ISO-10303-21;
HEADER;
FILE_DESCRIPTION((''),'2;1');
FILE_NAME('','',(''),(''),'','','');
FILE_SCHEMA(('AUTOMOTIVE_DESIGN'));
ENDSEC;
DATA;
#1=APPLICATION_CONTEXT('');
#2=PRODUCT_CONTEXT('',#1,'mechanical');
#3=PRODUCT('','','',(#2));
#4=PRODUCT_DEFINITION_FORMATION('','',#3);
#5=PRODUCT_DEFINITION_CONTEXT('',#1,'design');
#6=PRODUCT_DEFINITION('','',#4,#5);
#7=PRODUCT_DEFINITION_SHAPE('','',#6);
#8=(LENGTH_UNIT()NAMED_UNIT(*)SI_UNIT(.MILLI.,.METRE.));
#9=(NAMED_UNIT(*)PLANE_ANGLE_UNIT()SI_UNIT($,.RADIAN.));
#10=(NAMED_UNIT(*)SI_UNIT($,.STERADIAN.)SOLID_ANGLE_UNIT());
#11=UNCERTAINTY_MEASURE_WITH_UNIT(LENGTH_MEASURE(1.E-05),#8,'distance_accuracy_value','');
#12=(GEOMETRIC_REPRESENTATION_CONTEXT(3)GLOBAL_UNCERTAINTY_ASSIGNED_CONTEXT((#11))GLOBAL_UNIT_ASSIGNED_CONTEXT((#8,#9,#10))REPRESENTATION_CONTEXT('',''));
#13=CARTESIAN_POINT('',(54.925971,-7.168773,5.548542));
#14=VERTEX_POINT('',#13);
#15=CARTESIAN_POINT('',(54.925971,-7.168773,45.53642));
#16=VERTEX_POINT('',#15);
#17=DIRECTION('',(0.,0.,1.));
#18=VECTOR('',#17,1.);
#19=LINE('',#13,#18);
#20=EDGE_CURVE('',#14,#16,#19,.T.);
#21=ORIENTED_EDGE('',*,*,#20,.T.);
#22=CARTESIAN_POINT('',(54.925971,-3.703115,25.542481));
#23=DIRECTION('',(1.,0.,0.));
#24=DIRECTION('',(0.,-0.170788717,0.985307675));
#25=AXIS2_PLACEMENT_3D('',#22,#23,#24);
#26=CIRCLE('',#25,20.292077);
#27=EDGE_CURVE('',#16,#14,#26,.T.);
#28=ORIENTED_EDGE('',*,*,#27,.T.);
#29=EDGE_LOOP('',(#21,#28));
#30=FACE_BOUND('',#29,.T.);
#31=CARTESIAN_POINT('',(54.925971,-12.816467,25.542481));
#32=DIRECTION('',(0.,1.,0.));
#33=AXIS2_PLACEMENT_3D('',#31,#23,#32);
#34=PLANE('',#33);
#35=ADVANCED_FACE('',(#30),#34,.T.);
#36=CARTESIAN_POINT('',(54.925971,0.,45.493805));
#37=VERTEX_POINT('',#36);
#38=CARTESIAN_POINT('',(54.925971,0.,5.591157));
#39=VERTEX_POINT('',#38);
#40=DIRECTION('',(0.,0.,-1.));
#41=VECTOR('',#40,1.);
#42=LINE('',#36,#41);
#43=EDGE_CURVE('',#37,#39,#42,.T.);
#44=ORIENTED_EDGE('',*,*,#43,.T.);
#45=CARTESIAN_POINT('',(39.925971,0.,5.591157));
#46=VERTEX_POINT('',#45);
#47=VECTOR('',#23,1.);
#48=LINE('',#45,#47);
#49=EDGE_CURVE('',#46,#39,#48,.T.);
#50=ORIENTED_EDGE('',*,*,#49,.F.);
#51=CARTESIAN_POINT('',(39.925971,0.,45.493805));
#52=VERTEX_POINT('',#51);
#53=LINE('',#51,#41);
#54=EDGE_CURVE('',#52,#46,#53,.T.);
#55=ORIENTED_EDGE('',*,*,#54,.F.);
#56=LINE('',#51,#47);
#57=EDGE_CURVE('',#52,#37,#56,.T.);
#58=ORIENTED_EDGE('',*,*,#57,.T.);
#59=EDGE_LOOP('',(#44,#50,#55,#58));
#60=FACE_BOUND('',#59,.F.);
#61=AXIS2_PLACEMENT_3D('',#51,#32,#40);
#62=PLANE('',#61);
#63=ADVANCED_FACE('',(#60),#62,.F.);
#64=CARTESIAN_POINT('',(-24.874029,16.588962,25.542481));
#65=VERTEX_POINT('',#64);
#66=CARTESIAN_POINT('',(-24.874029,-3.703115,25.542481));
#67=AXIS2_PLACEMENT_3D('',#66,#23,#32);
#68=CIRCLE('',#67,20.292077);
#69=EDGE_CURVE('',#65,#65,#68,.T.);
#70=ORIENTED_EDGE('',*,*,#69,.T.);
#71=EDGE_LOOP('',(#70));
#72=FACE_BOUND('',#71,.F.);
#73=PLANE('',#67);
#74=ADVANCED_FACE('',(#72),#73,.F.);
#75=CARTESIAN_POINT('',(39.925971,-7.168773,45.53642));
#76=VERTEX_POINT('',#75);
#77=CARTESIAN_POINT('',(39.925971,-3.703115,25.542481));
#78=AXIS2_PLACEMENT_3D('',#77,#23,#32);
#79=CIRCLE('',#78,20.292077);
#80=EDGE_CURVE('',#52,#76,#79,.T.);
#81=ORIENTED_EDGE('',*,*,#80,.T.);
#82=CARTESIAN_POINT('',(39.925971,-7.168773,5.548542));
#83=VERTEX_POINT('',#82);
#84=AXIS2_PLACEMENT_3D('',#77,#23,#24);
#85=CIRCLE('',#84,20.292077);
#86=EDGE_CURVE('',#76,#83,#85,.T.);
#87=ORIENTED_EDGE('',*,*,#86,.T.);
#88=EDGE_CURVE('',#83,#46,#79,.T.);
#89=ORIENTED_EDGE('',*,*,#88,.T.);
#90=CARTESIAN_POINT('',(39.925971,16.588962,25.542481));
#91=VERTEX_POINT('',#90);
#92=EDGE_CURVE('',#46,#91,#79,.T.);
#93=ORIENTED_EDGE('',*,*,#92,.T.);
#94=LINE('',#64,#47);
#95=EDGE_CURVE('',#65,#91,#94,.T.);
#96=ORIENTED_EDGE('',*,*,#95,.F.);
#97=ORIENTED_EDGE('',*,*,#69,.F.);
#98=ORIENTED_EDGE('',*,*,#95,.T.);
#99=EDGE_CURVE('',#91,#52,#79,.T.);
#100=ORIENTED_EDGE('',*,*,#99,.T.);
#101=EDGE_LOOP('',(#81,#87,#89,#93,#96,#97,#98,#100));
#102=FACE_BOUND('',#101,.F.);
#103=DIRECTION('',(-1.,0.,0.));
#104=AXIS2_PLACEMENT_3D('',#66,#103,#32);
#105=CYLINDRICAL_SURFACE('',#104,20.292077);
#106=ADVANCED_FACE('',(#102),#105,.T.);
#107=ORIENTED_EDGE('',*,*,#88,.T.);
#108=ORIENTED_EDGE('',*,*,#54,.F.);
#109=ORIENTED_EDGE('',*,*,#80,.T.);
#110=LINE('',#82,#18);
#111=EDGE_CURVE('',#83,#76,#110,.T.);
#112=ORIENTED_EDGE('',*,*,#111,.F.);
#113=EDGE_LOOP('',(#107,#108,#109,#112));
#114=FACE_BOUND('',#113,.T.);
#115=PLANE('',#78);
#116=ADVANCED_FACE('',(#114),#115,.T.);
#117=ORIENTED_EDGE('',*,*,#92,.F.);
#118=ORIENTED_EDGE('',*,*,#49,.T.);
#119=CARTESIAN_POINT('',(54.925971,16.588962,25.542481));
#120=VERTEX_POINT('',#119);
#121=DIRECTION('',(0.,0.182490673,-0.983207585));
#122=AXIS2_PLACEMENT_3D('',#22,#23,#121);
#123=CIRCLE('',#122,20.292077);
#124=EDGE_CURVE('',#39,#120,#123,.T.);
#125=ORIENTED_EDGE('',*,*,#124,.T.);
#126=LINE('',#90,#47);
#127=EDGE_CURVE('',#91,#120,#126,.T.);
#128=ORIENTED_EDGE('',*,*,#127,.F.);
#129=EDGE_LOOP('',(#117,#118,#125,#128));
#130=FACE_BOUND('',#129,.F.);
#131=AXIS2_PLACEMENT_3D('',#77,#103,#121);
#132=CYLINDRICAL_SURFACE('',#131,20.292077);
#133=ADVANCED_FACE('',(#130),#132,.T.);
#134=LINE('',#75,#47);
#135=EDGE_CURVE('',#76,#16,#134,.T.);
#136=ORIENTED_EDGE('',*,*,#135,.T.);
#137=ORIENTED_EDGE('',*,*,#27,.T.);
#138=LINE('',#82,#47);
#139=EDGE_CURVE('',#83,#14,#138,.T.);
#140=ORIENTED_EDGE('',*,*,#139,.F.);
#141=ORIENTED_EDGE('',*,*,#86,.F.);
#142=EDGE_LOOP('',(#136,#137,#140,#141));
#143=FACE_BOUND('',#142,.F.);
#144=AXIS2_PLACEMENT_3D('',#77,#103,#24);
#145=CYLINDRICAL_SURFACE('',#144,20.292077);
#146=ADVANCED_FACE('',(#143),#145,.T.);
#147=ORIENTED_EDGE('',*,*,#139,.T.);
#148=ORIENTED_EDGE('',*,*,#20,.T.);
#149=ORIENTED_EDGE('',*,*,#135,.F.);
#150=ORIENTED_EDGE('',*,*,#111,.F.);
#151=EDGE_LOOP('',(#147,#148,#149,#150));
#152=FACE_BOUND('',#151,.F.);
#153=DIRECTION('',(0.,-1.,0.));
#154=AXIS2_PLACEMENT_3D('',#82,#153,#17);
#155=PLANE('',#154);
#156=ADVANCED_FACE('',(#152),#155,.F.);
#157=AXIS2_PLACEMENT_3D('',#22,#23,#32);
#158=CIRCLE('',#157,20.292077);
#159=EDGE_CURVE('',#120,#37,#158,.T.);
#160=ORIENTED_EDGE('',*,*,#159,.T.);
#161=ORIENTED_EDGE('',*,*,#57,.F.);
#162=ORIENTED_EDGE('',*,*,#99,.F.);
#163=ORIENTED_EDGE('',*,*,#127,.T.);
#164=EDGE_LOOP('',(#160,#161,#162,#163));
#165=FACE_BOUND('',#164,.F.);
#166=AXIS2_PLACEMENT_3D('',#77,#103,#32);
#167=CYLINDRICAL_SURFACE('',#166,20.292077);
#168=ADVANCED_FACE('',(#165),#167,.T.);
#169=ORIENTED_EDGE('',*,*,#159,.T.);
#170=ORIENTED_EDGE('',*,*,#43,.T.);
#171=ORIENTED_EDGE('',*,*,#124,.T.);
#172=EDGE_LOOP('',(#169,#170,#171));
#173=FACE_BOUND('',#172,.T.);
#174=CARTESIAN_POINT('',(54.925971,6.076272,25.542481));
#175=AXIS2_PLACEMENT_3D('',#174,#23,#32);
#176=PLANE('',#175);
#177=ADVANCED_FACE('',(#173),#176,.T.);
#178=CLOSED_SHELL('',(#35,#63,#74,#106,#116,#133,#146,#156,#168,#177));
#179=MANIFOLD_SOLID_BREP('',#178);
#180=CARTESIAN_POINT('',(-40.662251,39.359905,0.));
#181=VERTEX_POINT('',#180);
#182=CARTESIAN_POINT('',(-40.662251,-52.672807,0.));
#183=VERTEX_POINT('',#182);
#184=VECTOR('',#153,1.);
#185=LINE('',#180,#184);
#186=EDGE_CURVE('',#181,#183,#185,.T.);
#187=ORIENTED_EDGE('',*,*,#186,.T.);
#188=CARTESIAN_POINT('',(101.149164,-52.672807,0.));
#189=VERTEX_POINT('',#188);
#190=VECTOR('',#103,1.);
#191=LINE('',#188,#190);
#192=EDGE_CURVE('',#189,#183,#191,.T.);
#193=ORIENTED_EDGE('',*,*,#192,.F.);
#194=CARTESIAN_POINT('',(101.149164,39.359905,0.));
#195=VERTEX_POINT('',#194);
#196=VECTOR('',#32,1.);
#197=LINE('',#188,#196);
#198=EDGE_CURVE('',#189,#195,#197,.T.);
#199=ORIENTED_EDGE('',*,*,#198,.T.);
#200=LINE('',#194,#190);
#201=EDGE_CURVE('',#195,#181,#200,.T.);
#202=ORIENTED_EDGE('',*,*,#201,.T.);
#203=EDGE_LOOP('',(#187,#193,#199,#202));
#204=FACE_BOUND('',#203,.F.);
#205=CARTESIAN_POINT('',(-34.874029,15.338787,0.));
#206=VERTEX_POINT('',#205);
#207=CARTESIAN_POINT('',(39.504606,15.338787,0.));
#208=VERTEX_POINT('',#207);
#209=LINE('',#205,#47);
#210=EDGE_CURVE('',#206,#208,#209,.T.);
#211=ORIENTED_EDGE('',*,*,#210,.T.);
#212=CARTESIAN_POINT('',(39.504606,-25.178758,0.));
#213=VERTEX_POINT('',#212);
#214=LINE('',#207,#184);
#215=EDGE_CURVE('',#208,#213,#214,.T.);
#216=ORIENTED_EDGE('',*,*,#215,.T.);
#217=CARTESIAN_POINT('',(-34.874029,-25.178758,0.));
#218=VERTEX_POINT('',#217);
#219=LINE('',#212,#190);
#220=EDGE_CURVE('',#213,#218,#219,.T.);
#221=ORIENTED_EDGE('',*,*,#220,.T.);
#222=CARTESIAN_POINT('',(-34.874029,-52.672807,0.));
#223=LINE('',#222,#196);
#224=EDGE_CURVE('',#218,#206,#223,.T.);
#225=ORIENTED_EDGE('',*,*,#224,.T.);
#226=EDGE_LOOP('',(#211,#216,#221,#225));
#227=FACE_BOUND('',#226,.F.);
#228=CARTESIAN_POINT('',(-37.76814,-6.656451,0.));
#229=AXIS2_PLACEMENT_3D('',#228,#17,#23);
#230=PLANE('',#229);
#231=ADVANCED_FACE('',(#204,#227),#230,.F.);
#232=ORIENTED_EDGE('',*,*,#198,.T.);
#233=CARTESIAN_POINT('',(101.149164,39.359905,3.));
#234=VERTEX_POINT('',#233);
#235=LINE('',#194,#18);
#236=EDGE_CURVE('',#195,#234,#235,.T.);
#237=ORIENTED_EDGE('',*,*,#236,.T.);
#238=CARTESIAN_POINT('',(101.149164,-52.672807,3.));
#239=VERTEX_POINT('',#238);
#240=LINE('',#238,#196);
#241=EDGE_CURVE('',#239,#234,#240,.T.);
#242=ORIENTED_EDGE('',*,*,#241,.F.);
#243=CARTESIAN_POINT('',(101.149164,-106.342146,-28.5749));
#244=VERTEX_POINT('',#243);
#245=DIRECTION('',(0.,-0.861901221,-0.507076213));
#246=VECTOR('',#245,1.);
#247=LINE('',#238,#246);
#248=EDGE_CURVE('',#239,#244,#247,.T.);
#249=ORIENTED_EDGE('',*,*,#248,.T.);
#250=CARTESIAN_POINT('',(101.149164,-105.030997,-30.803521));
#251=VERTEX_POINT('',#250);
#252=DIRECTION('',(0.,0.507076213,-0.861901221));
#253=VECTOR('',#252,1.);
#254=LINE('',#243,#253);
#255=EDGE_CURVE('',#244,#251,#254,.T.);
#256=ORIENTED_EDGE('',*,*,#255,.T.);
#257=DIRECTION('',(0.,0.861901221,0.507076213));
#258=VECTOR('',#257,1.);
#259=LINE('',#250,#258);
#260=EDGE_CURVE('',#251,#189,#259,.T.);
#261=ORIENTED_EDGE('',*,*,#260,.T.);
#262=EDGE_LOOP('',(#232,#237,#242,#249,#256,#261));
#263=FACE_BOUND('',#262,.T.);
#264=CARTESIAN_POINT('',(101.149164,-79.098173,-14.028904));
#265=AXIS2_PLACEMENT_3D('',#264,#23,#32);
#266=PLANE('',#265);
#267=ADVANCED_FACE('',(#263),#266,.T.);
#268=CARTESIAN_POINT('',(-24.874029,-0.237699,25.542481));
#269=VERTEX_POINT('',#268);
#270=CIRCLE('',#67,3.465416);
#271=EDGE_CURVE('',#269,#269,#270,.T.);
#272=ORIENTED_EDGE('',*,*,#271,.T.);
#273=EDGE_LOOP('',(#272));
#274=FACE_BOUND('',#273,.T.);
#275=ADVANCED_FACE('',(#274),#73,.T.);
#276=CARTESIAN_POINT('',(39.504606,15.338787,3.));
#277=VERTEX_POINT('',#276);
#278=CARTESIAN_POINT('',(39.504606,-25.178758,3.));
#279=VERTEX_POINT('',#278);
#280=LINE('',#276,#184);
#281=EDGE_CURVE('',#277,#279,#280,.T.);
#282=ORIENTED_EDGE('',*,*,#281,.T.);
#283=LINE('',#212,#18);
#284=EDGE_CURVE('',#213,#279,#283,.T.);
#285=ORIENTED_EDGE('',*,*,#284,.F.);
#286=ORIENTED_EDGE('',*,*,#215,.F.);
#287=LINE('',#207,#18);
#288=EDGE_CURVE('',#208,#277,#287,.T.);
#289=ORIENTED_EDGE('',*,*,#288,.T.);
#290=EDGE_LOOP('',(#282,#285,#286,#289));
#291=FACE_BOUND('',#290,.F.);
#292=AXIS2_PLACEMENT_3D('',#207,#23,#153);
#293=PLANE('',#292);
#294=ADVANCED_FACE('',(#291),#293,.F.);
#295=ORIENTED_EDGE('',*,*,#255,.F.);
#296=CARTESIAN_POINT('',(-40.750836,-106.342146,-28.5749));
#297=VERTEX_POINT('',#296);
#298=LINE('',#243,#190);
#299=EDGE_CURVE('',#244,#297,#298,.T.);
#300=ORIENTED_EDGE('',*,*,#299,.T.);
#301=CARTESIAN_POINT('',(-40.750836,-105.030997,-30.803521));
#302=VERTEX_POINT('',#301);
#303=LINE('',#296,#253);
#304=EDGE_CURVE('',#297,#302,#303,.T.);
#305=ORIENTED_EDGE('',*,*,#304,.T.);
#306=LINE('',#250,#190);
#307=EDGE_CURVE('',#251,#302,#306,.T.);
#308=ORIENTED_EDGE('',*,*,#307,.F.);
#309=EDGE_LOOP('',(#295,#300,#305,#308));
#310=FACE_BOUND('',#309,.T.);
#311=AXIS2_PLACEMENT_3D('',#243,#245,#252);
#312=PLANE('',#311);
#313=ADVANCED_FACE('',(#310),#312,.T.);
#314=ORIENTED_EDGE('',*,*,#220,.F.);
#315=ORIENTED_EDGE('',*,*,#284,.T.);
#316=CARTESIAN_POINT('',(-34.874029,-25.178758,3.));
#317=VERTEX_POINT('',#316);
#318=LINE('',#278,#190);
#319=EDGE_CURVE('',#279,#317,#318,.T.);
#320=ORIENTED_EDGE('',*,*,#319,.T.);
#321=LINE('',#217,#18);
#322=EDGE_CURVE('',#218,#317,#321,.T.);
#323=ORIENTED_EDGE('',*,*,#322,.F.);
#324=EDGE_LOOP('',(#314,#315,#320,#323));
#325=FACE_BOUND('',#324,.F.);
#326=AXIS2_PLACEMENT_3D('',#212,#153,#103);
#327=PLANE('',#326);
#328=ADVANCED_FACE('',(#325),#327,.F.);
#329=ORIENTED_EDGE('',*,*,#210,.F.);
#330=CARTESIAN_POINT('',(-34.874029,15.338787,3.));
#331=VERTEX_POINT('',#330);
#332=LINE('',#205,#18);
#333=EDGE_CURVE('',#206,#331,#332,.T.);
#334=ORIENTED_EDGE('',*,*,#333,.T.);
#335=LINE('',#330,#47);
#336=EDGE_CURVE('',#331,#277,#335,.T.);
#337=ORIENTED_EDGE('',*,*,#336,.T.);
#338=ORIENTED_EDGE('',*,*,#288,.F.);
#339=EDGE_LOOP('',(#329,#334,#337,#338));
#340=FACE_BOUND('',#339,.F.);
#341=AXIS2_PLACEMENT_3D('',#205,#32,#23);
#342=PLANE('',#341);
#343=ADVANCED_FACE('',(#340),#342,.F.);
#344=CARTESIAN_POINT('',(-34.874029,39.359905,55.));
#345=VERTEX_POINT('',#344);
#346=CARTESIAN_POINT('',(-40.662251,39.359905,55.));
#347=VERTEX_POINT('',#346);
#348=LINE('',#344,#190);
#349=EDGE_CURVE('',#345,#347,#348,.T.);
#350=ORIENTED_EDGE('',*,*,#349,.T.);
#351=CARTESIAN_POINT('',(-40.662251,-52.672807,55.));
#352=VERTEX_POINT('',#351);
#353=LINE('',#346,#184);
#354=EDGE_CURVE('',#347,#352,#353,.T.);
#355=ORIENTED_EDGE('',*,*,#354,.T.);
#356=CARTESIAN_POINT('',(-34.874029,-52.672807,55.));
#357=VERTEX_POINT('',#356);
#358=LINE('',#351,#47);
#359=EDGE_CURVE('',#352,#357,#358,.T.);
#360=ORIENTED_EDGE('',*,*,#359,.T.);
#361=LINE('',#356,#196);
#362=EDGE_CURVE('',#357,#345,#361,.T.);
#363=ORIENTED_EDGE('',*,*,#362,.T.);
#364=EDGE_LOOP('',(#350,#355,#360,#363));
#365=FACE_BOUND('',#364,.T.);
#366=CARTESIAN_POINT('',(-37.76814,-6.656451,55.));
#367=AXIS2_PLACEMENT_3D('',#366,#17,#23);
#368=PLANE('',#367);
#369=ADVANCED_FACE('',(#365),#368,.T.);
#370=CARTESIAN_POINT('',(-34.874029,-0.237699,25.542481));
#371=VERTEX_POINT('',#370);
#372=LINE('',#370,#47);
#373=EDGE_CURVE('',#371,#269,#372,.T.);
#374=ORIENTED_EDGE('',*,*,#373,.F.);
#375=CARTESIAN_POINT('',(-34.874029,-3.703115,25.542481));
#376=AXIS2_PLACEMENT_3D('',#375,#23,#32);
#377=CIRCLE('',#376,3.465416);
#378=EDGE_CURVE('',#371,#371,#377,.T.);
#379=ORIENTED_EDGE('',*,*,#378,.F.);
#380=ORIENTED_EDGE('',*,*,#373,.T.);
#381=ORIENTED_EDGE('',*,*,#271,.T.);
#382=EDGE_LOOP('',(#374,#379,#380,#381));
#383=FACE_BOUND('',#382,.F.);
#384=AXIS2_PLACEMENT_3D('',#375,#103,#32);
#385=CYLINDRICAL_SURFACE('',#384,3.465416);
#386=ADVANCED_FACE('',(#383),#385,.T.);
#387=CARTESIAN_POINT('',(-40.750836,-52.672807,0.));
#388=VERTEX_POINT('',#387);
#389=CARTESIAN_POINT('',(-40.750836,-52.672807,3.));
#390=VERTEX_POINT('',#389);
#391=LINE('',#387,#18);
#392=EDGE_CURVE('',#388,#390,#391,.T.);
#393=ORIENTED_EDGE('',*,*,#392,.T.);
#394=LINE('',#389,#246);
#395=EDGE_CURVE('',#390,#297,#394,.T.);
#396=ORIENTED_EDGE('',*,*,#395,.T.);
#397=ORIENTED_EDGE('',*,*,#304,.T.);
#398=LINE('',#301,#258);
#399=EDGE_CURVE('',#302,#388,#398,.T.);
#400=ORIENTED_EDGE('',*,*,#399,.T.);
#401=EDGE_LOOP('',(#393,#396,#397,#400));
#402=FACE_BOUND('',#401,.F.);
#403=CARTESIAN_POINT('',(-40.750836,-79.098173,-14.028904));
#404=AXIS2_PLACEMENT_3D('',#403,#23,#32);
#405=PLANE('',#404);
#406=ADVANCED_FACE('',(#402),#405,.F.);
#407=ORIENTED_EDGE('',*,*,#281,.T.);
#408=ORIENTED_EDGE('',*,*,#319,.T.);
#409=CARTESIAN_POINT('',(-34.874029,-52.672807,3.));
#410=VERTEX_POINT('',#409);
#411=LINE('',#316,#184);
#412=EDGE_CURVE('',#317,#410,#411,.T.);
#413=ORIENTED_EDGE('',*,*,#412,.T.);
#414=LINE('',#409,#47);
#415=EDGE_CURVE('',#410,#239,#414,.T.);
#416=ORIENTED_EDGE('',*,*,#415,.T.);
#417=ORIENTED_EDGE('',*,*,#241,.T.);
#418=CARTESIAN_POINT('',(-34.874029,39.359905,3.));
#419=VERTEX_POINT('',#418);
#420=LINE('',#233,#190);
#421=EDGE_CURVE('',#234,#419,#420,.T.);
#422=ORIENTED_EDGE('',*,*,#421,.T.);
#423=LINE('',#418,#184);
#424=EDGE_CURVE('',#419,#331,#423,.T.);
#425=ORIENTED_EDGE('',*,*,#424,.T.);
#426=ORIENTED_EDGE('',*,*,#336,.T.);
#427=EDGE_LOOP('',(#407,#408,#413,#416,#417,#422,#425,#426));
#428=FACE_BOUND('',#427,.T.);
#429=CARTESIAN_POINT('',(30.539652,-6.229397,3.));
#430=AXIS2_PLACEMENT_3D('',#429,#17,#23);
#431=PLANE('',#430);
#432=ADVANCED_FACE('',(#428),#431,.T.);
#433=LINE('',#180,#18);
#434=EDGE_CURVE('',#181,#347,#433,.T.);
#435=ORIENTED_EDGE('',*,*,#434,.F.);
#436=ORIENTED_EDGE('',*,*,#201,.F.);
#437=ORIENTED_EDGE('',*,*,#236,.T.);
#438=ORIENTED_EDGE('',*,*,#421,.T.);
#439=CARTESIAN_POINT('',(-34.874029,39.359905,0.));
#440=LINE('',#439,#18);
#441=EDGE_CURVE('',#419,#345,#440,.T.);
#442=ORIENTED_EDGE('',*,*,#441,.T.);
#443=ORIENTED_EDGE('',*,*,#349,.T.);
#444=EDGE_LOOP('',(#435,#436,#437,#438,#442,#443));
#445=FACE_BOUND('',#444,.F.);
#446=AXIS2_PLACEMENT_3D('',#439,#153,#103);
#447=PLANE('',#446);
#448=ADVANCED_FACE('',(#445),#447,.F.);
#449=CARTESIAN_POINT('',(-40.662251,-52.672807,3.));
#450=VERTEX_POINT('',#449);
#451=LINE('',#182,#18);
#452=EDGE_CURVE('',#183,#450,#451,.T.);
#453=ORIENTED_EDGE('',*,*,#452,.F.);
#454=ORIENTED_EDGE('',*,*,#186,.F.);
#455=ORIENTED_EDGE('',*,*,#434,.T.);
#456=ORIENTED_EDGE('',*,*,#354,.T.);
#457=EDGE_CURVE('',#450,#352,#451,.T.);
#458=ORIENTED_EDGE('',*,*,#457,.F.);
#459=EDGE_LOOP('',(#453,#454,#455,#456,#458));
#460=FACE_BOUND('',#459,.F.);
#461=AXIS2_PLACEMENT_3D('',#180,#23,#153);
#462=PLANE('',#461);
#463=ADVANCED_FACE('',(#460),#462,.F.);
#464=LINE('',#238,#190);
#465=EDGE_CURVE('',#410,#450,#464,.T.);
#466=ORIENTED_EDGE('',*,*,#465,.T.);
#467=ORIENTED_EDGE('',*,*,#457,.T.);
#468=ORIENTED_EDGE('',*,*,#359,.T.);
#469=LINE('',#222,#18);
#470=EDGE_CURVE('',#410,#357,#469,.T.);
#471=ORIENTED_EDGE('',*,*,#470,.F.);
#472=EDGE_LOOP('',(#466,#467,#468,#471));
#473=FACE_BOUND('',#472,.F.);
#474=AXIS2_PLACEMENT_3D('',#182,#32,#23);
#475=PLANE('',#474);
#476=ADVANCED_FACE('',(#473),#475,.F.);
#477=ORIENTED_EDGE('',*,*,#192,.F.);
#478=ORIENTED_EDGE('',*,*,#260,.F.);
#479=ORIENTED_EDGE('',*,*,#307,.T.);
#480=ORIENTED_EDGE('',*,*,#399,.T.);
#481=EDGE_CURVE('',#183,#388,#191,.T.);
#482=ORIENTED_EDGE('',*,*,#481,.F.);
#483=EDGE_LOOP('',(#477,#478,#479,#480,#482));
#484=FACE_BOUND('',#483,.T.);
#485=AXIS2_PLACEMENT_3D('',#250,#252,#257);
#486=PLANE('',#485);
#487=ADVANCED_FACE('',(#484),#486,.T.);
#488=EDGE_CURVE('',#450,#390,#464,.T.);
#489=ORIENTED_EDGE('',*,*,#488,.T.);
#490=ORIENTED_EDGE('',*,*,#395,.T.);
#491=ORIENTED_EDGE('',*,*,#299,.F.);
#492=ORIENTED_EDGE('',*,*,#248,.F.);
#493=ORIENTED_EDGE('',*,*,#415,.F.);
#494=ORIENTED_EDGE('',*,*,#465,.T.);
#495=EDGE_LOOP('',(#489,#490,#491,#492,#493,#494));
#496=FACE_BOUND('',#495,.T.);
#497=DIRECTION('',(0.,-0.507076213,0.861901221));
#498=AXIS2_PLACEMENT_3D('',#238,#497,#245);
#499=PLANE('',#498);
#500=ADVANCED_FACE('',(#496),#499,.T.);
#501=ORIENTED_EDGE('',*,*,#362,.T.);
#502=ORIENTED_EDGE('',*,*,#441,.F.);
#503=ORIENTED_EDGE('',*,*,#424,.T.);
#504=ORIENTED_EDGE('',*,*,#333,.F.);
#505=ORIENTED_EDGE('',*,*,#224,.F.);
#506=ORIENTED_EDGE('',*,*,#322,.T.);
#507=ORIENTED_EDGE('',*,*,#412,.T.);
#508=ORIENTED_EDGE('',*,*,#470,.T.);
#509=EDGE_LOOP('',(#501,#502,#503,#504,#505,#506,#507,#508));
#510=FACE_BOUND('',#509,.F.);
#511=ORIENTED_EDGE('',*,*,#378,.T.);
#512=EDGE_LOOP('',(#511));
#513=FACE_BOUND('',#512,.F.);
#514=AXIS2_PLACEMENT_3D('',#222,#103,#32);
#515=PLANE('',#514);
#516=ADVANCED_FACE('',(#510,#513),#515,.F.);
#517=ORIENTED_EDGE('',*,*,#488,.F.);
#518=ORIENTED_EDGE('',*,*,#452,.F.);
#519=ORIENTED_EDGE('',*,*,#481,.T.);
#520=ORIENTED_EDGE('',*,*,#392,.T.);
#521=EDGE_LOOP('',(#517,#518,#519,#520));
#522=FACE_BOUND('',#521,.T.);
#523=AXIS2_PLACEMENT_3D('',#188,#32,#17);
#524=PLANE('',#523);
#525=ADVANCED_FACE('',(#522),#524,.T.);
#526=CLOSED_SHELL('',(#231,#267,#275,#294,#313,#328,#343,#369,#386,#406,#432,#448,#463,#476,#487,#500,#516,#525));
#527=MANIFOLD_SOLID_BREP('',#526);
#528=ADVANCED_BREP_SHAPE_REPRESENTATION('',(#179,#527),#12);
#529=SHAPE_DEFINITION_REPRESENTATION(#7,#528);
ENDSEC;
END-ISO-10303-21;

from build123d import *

# Parameters (mm, degrees)
F1_DEPTH  = 3
F2_DEPTH  = 55
F3_R      = 3.4654158046
F4_DEPTH  = 10
F6_DEPTH  = 141.9
F7_R      = 20.2920771374
F7_R_2    = 3.4654158046
F8_DEPTH  = 64.8
F10_DEPTH = 15


with BuildPart() as f1:
    # F0 (on Top) → F1 (new body)
    with BuildSketch(Plane.XY):
        Polygon((-34.8740294576, 39.3599048257), (-34.8740294576, 15.3387868777), (39.5046062768, 15.3387868777), (39.5046062768, -25.1787584275), (-34.8740294576, -25.1787584275), (-34.8740294576, -52.6728071272), (101.1491641402, -52.6728071272), (101.1491641402, 39.3599048257), align=None)
    extrude(amount=F1_DEPTH)

    # F0 (on Top) → F2 (join)
    with BuildSketch(Plane.XY):
        Polygon((-34.8740294576, -25.1787584275), (-34.8740294576, 15.3387868777), (-34.8740294576, 39.3599048257), (-40.6622514129, 39.3599048257), (-40.6622514129, -52.6728071272), (-34.8740294576, -52.6728071272), align=None)
    extrude(amount=F2_DEPTH)

    # F3 (on face) → F4 (join)
    with BuildSketch(Plane.YZ.offset(-34.8740294576)):
        with Locations((-3.7031148095, 25.5424808711)):
            Circle(F3_R)
    extrude(amount=F4_DEPTH)

    # F5 (on face) → F6 (join)
    with BuildSketch(Plane.YZ.offset(101.1491641402)):
        Polygon((-105.0309970103, -30.803521334), (-52.6728071272, 0), (-52.6728071272, 3), (-106.342145831, -28.5749001911), align=None)
    extrude(amount=-F6_DEPTH)


with BuildPart() as f8:
    # F7 (on face) → F8 (new body)
    with BuildSketch(Plane.YZ.offset(-24.8740294576)):
        with Locations((-3.7031148095, 25.5424808711)):
            Circle(F7_R)
        with Locations((-3.7031148095, 25.5424808711)):
            Circle(F7_R_2, mode=Mode.SUBTRACT)
        with Locations((-3.7031148095, 25.5424808711)):
            Circle(F7_R_2)
    extrude(amount=F8_DEPTH)

    # F9 (on face) → F10 (join)
    with BuildSketch(Plane.YZ.offset(39.9259705424)):
        with BuildLine():
            Line((-7.1687726304, 5.5485415289), (-7.1687726304, 45.5364202133))
            ThreePointArc((-7.1687726304, 45.5364202133), (-23.9951919469, 25.5424808711), (-7.1687726304, 5.5485415289))
        make_face()
        with BuildLine():
            ThreePointArc((16.5889623279, 25.5424808711), (11.8999663913, 38.5160020428), (0, 45.4938050191))
            Line((0, 45.4938050191), (0, 5.5911567231))
            ThreePointArc((0, 5.5911567231), (11.8999663913, 12.5689596993), (16.5889623279, 25.5424808711))
        make_face()
    extrude(amount=F10_DEPTH)


solid = Compound([f1.part, f8.part])
